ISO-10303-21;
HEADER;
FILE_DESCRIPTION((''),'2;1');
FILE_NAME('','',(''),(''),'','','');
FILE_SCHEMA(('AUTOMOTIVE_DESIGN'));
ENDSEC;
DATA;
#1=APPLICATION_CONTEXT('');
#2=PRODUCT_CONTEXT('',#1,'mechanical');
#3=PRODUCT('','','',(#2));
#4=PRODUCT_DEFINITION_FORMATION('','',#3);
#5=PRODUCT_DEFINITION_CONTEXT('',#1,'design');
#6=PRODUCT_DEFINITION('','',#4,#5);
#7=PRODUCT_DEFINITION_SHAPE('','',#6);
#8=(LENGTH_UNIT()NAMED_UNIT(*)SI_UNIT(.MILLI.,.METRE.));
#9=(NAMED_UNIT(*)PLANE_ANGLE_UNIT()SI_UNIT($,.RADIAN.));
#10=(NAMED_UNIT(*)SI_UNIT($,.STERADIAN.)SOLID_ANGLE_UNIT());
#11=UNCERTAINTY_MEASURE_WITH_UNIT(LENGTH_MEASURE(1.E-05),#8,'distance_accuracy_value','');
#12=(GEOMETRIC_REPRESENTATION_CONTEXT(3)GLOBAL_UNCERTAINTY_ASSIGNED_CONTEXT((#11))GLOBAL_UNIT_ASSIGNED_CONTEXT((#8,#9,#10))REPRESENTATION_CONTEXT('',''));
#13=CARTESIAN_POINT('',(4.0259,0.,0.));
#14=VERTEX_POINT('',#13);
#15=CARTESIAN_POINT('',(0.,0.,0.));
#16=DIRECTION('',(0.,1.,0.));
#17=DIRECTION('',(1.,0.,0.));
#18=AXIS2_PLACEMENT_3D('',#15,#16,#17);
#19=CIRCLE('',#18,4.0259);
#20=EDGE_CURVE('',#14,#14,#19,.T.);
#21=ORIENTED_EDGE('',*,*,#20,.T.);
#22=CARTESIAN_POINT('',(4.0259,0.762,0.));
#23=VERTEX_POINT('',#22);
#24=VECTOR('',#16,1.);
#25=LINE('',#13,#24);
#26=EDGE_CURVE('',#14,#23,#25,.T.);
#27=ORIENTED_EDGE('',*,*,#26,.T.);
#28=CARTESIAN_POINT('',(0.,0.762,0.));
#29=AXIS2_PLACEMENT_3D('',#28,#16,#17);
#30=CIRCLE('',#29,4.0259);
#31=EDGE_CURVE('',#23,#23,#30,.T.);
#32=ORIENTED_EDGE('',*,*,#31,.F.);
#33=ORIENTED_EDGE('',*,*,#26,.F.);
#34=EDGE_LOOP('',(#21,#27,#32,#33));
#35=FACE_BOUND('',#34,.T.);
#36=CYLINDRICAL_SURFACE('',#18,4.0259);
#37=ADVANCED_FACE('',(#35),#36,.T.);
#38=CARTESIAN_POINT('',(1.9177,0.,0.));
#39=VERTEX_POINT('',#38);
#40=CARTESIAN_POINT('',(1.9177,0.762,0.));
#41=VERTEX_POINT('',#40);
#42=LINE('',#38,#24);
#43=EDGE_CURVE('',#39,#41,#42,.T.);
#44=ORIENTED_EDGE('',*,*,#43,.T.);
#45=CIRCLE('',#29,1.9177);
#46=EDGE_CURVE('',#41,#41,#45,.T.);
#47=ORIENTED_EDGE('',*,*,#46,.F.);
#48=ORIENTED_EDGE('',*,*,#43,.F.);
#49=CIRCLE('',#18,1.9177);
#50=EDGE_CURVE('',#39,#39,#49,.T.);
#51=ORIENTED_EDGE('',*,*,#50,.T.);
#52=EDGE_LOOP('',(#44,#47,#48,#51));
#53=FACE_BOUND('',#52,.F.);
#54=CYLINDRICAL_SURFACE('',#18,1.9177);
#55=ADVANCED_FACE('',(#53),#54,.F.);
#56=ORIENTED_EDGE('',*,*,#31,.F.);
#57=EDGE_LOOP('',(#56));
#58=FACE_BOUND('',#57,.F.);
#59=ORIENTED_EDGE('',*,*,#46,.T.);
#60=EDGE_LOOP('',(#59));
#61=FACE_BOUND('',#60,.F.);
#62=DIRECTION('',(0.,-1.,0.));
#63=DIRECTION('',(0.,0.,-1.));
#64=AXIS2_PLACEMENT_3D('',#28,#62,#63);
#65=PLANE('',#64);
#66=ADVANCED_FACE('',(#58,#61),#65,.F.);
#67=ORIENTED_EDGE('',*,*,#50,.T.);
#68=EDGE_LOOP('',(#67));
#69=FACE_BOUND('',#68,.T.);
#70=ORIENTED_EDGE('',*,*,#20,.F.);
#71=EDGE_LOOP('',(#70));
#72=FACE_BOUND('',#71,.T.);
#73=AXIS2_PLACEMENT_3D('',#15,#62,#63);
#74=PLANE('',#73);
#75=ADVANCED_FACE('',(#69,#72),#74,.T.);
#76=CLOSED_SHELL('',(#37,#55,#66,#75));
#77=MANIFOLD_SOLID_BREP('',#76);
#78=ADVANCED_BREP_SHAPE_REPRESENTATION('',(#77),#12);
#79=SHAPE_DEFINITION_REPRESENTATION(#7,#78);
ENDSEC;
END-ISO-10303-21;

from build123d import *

# Parameters (mm, degrees)
F0_R   = 4.0259
F0_R_2 = 1.9177


with BuildPart() as f2:
    # F2: sweep along a path in F1
    with BuildLine(Plane.YZ) as f2_path:
        Line((0, 0), (0.762, 0))
    # F0 (on Front) → F2 (sweep)
    with BuildSketch(Plane.XZ):
        Circle(F0_R)
        Circle(F0_R_2, mode=Mode.SUBTRACT)
    sweep(path=f2_path.line)


solid = f2.part
